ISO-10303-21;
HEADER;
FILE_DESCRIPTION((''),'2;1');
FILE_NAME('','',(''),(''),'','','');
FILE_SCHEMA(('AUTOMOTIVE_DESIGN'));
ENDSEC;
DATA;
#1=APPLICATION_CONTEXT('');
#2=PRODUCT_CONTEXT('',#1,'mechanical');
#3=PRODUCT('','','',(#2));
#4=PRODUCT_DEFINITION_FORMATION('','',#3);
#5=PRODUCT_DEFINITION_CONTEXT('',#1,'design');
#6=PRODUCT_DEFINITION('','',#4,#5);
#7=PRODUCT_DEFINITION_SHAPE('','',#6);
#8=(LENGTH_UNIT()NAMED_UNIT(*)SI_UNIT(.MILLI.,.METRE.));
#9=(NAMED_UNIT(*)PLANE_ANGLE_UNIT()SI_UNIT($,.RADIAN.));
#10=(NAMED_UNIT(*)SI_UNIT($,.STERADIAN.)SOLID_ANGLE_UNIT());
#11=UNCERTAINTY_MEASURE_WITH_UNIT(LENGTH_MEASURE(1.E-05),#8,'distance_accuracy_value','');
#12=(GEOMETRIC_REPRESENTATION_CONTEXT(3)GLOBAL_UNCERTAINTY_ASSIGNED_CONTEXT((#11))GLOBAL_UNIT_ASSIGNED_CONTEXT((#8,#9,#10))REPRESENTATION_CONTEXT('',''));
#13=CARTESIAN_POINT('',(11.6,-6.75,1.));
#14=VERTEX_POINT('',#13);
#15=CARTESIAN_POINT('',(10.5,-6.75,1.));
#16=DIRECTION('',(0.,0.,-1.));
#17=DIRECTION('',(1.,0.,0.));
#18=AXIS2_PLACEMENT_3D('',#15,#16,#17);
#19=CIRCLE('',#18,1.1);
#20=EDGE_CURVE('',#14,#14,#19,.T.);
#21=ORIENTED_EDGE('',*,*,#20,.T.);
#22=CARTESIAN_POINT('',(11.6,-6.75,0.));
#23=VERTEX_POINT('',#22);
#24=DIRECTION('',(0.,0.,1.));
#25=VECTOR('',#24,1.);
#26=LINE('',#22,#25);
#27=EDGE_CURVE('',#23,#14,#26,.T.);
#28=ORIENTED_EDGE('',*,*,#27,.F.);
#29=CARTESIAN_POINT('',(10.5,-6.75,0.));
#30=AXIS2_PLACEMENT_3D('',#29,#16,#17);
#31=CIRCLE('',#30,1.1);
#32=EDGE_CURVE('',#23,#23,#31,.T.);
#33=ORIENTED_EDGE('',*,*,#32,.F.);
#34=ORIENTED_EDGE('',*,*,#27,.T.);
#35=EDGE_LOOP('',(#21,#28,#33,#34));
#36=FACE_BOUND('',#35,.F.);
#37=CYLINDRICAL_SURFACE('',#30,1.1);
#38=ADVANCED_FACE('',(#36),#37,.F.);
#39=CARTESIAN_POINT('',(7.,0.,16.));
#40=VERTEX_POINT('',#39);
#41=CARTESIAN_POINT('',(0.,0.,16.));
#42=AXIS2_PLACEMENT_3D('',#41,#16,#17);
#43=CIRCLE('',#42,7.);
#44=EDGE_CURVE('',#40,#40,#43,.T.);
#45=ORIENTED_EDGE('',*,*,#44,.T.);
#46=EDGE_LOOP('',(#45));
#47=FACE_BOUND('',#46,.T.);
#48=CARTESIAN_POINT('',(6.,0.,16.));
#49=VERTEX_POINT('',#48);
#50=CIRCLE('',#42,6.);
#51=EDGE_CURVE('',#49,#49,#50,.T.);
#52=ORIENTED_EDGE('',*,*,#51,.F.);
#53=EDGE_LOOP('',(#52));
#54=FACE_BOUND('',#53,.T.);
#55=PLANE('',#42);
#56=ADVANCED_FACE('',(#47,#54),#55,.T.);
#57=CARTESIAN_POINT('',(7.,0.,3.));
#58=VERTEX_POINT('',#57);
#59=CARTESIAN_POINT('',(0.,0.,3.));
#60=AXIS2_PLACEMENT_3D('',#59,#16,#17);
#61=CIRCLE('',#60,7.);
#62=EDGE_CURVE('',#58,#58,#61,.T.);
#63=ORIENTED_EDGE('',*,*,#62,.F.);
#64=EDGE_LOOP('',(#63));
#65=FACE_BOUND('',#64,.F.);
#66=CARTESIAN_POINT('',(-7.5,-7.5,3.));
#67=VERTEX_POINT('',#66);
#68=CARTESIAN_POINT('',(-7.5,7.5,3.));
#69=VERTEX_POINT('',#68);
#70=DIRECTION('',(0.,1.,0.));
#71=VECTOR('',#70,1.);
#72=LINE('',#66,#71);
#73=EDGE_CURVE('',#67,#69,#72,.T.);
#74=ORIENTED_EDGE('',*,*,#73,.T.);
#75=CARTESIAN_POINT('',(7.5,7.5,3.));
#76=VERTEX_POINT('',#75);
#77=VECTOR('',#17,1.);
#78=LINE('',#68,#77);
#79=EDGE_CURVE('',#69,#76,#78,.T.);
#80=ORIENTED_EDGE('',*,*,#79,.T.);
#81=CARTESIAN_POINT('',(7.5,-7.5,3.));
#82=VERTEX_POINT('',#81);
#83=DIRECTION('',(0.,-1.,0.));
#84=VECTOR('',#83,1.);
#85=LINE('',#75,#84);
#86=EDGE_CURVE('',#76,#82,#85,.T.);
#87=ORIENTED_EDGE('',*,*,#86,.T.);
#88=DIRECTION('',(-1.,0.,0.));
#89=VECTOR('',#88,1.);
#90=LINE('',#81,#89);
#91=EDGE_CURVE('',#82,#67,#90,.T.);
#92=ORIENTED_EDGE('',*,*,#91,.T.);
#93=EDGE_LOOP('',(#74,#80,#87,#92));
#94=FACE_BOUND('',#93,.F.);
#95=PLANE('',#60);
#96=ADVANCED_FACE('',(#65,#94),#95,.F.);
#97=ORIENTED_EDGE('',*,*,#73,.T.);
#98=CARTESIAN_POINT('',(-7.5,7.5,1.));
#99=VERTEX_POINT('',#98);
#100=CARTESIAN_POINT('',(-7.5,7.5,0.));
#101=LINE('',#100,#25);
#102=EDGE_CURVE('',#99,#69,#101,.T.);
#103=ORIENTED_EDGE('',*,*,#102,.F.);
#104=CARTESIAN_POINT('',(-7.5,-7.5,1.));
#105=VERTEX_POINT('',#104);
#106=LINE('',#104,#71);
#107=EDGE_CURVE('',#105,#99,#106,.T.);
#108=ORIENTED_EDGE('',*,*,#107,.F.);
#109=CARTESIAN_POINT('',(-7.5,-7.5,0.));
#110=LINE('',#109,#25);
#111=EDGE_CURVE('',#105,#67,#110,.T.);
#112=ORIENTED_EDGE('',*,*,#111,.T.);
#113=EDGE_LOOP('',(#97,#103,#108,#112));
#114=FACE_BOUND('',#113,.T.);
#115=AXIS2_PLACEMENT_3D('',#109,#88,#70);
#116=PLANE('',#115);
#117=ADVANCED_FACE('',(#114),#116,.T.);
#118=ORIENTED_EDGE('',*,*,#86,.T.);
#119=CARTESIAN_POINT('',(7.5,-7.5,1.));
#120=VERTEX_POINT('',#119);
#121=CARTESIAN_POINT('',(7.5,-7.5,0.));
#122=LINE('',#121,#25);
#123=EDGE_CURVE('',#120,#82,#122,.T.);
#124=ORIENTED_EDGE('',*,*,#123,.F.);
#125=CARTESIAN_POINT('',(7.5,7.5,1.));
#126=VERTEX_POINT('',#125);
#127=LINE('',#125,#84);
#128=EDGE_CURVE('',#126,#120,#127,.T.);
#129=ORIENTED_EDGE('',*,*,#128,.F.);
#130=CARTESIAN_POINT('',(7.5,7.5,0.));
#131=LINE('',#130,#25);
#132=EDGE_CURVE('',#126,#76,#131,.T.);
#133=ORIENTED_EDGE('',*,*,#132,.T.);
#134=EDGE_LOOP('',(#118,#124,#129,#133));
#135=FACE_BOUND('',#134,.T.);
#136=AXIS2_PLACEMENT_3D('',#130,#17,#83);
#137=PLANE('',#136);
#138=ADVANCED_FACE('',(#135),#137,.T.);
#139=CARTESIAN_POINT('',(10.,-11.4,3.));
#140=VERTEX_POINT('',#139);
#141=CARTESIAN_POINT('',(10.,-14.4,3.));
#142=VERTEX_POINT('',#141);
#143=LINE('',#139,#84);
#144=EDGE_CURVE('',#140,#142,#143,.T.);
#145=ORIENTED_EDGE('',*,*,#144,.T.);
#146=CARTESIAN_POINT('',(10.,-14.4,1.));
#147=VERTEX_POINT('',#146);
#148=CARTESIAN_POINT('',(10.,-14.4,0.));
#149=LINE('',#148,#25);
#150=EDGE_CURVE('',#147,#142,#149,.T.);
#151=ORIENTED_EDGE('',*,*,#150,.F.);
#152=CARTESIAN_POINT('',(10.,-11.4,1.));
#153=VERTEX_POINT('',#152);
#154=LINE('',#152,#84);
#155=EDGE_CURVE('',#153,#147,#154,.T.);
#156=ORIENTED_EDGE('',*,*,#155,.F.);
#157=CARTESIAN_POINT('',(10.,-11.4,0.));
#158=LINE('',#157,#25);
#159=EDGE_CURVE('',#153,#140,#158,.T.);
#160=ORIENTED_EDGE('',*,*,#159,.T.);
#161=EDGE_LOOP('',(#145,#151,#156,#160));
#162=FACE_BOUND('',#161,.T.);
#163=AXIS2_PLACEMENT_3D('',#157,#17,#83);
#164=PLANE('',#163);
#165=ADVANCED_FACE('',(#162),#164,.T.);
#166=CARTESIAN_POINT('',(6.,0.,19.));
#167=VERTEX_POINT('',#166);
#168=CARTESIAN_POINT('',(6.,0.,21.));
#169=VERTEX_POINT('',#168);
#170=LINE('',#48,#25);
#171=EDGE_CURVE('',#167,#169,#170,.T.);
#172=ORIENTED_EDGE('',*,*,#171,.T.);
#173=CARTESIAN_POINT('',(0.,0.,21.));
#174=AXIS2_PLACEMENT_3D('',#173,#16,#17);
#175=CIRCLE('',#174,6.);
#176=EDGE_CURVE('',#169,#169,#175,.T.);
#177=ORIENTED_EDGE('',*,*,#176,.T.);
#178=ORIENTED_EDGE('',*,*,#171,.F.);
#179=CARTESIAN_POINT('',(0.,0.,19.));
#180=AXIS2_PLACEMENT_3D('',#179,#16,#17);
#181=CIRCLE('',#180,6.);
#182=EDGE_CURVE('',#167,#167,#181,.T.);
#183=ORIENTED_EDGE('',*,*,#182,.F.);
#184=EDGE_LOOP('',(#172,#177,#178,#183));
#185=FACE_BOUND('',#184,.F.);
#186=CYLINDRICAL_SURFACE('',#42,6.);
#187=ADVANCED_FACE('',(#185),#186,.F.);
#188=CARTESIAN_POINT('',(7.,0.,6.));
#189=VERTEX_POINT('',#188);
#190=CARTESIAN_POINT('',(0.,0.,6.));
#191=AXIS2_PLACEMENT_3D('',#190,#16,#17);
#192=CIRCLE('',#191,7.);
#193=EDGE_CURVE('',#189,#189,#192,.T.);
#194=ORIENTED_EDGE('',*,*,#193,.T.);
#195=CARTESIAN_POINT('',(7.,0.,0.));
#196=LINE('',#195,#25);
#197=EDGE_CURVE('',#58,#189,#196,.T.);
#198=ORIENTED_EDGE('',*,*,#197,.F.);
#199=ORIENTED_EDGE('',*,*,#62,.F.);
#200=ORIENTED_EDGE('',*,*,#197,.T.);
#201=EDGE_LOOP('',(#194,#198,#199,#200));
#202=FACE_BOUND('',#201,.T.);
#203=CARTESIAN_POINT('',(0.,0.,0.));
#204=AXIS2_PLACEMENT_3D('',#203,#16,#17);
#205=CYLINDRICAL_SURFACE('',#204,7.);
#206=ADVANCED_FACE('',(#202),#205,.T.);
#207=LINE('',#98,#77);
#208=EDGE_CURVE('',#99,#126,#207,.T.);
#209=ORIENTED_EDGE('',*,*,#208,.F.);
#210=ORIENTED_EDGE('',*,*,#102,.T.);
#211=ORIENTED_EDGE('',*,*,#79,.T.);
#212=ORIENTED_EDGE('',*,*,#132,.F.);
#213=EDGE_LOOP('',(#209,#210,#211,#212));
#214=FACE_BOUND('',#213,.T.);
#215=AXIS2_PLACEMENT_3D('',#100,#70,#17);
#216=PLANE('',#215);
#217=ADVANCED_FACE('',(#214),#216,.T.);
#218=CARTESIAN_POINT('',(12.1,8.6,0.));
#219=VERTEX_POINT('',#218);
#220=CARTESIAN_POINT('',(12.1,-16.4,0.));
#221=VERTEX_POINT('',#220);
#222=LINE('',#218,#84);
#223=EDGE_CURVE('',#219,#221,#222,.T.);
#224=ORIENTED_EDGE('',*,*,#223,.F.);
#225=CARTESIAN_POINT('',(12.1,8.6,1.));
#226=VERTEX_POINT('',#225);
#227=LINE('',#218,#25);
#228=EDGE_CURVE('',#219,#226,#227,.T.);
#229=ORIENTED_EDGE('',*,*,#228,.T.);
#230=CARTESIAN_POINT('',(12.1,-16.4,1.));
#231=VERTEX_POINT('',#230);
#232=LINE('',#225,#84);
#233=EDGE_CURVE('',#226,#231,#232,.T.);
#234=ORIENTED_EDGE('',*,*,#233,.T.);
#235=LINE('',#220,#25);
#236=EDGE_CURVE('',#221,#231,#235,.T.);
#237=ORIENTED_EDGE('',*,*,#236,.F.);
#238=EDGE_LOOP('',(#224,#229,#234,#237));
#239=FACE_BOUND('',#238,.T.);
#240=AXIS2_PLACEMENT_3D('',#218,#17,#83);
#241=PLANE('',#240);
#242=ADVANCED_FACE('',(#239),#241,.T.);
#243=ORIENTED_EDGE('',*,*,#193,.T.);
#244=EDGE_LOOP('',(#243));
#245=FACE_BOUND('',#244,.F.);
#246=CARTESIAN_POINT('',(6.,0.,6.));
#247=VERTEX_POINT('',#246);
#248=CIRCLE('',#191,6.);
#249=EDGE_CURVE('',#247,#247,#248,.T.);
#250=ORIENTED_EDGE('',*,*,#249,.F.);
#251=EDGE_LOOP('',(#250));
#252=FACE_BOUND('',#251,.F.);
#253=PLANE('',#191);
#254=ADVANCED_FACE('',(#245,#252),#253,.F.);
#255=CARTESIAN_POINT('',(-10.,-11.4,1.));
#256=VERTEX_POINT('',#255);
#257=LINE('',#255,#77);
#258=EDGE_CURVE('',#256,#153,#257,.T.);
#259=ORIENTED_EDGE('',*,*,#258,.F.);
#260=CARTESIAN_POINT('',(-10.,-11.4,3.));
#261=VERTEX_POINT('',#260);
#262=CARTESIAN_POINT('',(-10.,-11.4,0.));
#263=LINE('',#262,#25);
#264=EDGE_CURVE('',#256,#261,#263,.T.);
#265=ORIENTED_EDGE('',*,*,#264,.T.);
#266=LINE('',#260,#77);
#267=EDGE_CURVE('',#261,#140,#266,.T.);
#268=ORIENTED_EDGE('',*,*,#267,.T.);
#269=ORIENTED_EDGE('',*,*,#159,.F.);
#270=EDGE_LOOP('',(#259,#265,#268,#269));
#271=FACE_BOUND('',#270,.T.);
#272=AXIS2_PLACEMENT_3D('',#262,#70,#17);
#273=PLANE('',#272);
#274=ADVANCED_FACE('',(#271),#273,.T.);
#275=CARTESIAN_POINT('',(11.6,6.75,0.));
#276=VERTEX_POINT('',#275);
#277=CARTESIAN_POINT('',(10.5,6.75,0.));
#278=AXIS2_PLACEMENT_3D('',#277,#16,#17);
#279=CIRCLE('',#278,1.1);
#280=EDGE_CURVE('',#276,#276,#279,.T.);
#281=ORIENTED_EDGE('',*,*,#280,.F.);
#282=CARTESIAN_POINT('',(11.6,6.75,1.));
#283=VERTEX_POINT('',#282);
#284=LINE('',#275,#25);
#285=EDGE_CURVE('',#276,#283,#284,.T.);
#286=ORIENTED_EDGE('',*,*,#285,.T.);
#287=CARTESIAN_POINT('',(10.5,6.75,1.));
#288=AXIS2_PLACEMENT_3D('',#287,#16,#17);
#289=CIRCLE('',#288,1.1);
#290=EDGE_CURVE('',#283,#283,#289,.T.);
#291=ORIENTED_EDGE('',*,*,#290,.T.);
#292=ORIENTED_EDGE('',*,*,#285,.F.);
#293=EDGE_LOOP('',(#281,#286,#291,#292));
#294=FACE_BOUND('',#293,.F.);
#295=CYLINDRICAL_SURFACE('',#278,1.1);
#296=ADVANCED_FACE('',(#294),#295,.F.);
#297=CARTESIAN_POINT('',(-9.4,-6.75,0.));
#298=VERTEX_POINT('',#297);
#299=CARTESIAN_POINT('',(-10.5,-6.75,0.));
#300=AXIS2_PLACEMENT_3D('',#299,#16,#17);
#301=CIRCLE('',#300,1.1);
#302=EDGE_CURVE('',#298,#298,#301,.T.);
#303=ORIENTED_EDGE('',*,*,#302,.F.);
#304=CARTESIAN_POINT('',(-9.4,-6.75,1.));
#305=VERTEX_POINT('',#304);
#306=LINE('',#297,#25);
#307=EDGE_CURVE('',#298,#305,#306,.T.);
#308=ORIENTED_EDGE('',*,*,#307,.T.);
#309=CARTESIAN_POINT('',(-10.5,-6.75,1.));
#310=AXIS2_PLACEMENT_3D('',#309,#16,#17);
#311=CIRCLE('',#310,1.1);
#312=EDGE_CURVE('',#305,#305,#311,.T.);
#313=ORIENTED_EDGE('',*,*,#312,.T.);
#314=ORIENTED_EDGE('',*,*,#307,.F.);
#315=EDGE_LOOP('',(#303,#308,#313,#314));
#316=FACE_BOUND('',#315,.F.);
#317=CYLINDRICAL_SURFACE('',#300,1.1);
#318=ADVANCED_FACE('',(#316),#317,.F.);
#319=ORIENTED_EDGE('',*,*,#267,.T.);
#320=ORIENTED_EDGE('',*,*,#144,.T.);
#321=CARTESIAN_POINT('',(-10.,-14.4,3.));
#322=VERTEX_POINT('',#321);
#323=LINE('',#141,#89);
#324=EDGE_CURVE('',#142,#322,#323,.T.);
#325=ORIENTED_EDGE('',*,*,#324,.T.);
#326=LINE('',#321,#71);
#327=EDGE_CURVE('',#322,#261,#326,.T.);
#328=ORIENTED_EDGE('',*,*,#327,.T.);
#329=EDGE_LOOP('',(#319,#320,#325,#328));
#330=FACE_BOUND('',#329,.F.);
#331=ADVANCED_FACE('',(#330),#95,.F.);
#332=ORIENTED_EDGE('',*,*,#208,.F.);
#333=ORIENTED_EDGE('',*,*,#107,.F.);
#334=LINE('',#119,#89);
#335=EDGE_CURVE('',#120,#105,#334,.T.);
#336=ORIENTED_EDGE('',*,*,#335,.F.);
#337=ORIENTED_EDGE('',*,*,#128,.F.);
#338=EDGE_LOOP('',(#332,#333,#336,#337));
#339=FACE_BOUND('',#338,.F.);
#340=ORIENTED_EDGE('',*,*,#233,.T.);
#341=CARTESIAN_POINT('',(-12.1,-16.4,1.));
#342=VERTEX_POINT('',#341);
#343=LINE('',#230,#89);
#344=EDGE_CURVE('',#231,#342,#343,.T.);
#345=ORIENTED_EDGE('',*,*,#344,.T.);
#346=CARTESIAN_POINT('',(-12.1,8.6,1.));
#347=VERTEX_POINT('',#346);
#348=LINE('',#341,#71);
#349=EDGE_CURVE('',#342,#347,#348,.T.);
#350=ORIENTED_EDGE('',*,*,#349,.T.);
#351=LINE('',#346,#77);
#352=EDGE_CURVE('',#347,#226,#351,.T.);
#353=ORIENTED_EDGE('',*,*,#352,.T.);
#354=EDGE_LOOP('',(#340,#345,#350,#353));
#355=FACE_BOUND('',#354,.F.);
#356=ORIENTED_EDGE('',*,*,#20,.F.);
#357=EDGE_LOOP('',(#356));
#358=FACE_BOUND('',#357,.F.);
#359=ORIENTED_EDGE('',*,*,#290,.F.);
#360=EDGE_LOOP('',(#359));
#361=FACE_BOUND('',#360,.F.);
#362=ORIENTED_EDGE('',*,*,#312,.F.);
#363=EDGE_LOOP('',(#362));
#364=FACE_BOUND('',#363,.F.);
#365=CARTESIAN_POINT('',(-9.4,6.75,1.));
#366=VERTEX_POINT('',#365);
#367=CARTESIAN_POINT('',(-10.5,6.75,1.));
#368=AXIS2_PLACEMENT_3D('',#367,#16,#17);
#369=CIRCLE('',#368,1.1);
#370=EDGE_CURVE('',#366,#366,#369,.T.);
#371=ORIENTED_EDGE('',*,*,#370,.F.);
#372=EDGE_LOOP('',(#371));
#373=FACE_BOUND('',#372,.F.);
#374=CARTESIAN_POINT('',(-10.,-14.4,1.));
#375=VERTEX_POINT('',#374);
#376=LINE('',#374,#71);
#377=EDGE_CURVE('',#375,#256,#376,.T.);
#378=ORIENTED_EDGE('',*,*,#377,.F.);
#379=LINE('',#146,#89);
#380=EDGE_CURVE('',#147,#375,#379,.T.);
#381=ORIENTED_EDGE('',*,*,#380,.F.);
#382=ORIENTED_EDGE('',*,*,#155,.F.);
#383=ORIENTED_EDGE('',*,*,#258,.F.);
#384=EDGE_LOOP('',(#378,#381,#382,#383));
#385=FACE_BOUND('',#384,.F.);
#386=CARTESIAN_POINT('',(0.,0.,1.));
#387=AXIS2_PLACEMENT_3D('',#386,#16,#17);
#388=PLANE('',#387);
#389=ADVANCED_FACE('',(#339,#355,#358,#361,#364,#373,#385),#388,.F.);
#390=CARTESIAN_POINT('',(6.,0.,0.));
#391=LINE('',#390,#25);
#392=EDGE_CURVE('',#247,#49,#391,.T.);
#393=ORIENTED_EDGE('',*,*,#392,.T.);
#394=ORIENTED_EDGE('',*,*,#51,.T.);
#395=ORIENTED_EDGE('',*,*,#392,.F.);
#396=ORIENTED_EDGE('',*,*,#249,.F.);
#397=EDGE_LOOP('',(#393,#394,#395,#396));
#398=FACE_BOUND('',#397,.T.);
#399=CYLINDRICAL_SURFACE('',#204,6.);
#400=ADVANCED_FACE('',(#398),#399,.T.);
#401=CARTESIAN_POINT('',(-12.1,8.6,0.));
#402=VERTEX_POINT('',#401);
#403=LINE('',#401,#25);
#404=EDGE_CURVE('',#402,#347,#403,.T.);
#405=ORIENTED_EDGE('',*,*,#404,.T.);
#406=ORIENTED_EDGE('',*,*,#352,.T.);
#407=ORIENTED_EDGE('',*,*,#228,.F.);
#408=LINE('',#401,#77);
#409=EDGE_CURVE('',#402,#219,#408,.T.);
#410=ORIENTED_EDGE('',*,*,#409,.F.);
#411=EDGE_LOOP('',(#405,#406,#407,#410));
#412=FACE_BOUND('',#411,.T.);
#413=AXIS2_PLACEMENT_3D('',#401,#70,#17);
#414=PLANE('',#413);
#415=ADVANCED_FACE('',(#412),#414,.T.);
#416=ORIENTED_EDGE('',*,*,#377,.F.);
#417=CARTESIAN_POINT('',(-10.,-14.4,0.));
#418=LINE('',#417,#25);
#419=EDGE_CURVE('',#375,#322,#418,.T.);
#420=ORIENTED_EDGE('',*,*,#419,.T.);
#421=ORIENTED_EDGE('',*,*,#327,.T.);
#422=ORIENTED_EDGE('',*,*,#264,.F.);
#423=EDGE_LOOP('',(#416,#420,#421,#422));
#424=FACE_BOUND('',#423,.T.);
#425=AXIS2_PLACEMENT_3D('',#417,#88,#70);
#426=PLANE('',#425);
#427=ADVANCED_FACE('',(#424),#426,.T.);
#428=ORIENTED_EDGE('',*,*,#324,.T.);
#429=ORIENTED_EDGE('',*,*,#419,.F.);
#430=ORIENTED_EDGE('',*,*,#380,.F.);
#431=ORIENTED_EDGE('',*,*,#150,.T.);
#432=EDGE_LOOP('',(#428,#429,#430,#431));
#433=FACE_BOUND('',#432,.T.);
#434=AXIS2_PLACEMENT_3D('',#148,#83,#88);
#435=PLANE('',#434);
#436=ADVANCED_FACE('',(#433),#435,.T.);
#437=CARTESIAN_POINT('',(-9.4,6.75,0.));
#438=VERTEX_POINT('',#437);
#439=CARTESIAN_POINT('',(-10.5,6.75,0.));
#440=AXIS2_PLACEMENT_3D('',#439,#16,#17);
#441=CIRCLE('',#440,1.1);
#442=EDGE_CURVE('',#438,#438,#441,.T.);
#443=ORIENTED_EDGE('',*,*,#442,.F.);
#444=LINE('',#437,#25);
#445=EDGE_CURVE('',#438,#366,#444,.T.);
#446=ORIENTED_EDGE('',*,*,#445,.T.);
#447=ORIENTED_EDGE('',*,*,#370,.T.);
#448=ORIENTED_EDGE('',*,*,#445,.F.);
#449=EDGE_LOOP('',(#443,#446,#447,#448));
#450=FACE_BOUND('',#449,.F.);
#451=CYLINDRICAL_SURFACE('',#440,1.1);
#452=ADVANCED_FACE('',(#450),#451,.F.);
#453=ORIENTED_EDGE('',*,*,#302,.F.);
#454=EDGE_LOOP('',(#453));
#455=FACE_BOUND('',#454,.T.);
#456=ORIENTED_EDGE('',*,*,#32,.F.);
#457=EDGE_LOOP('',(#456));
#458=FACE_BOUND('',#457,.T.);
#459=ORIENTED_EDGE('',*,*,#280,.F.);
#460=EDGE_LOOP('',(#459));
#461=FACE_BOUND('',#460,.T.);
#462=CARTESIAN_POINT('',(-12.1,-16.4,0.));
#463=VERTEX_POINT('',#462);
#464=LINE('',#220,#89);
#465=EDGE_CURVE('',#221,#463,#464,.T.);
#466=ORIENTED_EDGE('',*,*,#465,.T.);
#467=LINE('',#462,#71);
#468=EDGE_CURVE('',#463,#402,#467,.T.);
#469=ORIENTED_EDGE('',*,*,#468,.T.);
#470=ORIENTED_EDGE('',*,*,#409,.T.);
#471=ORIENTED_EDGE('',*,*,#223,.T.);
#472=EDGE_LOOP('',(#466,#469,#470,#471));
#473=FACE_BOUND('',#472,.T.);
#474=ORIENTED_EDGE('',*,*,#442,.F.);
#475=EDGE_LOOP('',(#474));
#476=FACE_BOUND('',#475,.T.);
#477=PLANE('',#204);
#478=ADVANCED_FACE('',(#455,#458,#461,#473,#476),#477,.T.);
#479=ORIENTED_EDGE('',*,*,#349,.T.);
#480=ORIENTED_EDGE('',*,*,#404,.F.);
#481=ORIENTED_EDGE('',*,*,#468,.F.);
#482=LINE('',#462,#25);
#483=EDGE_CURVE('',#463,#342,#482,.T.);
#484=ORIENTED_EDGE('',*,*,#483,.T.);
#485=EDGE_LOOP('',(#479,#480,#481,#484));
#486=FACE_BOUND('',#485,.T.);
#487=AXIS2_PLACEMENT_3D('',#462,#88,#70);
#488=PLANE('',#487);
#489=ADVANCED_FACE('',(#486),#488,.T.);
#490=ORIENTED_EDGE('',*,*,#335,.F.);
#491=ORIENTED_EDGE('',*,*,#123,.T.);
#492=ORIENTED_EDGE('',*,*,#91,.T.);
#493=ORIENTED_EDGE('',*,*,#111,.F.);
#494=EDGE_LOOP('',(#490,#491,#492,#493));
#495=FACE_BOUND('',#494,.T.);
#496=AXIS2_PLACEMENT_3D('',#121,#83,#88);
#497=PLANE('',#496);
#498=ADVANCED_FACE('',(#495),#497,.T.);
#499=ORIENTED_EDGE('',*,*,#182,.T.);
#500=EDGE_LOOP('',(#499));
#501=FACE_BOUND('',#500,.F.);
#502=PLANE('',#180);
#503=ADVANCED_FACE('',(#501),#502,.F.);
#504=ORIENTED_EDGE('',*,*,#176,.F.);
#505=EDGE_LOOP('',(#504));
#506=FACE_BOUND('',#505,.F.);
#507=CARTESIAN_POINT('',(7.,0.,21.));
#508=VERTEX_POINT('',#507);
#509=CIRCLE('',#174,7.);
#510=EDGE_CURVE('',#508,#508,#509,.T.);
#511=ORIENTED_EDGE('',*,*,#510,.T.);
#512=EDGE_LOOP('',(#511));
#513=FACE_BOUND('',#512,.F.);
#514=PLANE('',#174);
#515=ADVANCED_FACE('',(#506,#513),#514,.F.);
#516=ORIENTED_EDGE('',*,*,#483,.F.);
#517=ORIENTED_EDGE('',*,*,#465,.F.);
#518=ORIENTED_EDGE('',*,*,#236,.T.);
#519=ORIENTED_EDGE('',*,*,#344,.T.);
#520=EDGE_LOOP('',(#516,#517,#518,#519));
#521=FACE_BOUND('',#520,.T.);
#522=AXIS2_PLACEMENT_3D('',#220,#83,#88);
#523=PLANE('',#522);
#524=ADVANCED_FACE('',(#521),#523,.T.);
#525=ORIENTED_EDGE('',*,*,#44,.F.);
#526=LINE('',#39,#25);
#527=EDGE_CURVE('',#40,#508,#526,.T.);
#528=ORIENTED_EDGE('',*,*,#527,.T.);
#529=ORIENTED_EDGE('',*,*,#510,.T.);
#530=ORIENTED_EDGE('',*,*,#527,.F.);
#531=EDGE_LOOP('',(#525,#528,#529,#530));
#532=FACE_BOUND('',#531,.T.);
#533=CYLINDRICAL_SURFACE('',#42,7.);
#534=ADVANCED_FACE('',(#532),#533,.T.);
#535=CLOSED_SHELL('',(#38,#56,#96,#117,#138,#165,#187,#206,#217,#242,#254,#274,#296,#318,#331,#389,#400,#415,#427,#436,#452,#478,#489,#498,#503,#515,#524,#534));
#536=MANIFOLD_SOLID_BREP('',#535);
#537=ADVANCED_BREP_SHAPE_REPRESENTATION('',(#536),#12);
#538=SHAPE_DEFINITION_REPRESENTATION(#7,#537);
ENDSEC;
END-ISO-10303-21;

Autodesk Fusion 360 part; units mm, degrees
sketch "Sketch1" plane through (0, 0, 0) normal (0, 0, -1) x (1, 0, 0)
  circle A0 centre (10.5, -6.75) radius 1.1
  circle A1 centre (-10.5, -6.75) radius 1.1
  circle A2 centre (10.5, 6.75) radius 1.1
  circle A3 centre (-10.5, 6.75) radius 1.1
  line L0 (12.1, -8.6) -> (12.1, 16.4)
  line L1 (12.1, 16.4) -> (-12.1, 16.4)
  line L2 (-12.1, 16.4) -> (-12.1, -8.6)
  line L3 (-12.1, -8.6) -> (12.1, -8.6)
  line L4 (10, 14.4) -> (-10, 14.4)
  line L5 (-10, 14.4) -> (-10, 11.4)
  line L6 (-10, 11.4) -> (10, 11.4)
  line L7 (10, 11.4) -> (10, 14.4)
  line L8 (10, 14.4) -> (-10, 11.4) construction
  line L9 (-10, 14.4) -> (10, 11.4) construction
  circle A4 centre (0, 0) radius 6
  circle A5 centre (0, 0) radius 7
  line L10 (7.5, 7.5) -> (-7.5, 7.5)
  line L11 (-7.5, 7.5) -> (-7.5, -7.5)
  line L12 (-7.5, -7.5) -> (7.5, -7.5)
  line L13 (7.5, -7.5) -> (7.5, 7.5)
  line L14 (7.5, 7.5) -> (-7.5, -7.5) construction
  line L15 (-7.5, 7.5) -> (7.5, -7.5) construction
  point P0 (0, 12.9)
  dimension "d1" = 20
  dimension "d2" = 3
  dimension "d3" = 15
  dimension "d4" = 15
  dimension "d5" = 12
  dimension "d6" = 14
  dimension "d7" = 2
extrude "Extrude3" add sketch "Sketch1" against normal blind 1 contours L0 L1 L2 L3
extrude "Extrude4" add sketch "Sketch1" against normal blind 3 contours L4 L5 L6 L7
extrude "Extrude5" add sketch "Sketch1" against normal blind 3 contours L10 L11 L12 L13
extrude "Extrude6" add sketch "Sketch1" against normal blind 6 contours A5
extrude "Extrude7" add sketch "Sketch1" against normal blind 19 contours A4
extrude "Extrude8" add sketch "Sketch1" against normal blind 5 from surface at -16 contours A5
